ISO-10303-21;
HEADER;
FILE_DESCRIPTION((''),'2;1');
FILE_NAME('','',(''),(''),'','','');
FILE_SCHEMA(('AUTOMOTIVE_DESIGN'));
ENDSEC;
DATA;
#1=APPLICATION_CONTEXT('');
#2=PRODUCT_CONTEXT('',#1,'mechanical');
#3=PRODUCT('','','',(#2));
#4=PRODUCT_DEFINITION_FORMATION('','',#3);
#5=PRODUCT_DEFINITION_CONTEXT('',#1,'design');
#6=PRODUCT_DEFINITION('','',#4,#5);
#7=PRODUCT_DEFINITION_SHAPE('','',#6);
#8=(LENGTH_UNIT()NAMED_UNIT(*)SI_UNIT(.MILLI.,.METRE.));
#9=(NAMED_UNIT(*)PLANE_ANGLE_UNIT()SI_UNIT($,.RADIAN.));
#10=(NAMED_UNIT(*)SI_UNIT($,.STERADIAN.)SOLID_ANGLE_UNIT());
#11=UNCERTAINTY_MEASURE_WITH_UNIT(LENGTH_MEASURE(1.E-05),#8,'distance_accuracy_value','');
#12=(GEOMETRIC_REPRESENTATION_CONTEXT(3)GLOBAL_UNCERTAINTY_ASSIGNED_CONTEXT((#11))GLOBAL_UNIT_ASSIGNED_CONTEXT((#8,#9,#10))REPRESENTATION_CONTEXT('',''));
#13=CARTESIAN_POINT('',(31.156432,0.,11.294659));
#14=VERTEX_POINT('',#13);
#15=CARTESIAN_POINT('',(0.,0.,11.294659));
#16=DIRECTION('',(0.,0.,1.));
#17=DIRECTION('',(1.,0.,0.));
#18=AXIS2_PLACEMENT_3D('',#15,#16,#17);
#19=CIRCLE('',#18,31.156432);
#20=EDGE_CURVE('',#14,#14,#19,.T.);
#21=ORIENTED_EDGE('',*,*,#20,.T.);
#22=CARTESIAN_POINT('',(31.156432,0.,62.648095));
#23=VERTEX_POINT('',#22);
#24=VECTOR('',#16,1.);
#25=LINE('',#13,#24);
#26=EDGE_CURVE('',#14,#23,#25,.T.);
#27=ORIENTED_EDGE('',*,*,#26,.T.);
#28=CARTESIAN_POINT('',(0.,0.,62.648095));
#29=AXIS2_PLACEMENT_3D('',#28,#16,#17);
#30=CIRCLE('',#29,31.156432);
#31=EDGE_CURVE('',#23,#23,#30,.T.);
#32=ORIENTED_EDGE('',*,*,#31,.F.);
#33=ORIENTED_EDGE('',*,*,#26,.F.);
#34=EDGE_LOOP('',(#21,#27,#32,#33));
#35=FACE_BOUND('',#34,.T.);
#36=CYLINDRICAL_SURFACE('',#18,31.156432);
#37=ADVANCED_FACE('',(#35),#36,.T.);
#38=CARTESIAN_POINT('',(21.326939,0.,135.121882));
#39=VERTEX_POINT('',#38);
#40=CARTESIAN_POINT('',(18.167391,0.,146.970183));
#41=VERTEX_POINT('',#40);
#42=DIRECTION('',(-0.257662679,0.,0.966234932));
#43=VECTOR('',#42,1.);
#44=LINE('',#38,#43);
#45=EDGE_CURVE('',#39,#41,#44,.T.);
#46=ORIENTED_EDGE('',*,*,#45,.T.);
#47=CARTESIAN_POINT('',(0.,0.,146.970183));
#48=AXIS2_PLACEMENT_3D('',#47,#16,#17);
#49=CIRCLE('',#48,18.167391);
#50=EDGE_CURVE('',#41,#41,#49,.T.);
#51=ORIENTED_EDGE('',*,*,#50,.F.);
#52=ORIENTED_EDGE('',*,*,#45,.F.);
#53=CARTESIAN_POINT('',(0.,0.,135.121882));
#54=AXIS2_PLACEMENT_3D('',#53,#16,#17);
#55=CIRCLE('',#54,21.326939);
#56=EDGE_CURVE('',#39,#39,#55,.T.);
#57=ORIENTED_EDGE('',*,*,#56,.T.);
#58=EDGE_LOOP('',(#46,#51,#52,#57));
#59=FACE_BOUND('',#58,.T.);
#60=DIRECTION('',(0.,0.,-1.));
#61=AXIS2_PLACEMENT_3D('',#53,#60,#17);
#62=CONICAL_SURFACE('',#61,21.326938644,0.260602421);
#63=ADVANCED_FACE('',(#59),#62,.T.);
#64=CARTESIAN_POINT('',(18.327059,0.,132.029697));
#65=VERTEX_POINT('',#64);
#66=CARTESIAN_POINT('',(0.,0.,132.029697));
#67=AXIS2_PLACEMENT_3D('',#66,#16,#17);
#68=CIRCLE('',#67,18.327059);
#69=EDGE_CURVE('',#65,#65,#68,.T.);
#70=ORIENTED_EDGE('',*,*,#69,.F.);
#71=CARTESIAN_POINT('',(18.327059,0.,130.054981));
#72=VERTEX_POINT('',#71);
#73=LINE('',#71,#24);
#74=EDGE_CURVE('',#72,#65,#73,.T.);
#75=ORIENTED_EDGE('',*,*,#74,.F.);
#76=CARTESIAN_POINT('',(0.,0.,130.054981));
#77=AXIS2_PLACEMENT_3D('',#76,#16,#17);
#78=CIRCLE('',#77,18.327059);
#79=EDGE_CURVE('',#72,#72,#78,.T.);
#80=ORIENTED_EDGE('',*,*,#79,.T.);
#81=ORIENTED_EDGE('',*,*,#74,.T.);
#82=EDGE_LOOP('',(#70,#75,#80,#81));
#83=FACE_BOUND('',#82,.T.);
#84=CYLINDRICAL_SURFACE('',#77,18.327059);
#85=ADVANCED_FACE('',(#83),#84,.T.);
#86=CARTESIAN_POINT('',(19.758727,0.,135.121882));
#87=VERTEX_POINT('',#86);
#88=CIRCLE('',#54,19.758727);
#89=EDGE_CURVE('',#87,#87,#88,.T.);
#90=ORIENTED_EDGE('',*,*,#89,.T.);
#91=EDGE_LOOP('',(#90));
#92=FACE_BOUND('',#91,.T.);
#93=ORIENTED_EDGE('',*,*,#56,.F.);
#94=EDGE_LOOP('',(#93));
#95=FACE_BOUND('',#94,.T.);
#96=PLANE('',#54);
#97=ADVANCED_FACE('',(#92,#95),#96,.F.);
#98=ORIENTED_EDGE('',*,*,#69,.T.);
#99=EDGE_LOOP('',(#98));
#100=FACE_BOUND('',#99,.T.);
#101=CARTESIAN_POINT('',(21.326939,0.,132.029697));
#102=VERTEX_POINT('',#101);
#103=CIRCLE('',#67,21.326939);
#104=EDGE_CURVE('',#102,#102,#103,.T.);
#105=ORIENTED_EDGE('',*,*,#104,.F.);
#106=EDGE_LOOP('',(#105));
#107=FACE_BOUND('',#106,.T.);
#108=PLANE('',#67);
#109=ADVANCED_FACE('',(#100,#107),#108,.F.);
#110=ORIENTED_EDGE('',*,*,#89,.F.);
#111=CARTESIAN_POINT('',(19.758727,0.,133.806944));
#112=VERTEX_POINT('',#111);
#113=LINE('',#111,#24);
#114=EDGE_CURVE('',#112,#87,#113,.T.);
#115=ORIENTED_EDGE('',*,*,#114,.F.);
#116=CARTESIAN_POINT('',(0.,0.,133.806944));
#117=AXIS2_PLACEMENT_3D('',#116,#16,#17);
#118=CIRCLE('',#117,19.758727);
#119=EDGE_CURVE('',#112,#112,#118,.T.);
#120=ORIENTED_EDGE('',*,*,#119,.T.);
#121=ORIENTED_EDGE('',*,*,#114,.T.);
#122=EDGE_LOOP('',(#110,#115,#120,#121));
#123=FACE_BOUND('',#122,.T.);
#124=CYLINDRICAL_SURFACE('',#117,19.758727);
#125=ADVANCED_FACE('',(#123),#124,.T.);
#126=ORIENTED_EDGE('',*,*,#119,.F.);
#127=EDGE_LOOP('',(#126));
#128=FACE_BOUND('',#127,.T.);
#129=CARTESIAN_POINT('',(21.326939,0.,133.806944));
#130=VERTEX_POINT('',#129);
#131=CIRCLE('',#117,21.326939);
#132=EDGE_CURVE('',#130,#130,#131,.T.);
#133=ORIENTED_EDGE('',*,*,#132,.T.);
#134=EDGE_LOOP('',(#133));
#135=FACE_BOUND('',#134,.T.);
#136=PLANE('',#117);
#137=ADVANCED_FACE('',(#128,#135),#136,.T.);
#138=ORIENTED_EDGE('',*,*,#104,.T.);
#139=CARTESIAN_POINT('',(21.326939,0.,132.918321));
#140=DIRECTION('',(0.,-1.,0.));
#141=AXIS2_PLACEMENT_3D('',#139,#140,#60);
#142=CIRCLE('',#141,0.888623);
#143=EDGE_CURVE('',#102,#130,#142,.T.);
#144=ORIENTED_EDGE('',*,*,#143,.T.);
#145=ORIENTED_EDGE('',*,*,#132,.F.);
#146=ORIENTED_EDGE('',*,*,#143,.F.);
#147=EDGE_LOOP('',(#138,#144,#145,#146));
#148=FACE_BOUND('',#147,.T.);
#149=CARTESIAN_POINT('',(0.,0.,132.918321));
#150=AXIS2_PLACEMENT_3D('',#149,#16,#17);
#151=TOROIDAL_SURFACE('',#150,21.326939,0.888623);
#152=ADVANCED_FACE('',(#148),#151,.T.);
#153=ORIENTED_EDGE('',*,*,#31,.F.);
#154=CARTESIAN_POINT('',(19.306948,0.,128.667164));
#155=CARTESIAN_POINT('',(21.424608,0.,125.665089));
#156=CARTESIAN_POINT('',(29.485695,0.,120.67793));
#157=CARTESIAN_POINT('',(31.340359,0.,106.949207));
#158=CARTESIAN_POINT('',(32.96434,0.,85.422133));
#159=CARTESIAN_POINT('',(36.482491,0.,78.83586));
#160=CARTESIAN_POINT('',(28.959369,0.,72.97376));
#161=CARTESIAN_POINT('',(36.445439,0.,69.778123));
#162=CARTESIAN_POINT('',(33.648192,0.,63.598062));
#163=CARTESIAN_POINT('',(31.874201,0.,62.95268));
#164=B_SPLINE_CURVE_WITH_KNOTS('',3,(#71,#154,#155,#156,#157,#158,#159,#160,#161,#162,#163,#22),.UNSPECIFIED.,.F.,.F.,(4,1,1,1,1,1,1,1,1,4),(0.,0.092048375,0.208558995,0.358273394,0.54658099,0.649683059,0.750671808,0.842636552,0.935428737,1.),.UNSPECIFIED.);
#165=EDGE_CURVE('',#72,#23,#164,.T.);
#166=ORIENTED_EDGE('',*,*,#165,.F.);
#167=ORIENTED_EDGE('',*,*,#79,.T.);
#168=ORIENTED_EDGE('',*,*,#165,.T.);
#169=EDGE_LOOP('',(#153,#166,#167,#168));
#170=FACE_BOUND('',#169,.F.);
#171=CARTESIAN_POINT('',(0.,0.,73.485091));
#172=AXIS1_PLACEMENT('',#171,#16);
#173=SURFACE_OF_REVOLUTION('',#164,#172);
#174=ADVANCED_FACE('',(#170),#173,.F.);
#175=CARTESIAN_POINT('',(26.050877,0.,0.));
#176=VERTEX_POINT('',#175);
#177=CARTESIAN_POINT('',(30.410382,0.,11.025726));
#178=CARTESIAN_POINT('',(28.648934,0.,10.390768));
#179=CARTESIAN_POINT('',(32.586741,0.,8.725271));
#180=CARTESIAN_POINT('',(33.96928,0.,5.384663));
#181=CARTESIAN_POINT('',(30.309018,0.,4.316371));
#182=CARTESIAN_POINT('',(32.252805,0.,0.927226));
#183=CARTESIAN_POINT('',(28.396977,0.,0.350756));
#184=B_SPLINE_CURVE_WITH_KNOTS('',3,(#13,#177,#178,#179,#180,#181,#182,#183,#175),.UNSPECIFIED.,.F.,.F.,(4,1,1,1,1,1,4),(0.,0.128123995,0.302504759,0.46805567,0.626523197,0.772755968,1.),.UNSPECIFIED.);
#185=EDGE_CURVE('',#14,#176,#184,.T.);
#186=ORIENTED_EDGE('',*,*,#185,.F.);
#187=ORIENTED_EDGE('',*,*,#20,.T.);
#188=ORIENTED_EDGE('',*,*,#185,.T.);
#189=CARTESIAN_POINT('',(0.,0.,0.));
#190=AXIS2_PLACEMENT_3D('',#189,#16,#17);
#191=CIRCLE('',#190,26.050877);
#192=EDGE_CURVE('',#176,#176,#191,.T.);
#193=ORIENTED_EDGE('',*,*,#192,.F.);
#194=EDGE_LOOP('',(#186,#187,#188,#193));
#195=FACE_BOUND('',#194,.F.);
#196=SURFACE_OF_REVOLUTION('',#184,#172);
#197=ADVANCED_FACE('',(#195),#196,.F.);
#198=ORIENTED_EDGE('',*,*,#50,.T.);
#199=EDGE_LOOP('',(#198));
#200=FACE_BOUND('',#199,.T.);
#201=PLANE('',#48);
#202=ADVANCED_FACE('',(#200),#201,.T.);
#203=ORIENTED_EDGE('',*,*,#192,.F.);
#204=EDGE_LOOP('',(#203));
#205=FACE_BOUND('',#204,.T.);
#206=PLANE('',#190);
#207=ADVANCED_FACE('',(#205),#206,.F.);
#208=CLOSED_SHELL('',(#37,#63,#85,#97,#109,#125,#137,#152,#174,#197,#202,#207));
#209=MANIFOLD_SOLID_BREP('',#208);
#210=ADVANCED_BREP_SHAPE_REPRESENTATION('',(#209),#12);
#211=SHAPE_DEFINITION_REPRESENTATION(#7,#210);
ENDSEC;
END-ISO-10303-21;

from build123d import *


with BuildPart() as f1:
    # F0 (on Front) → F1 (revolve)
    with BuildSketch(Plane.XZ):
        with BuildLine():
            Line((0, 146.9701826572), (0, 0))
            Line((0, 0), (26.050876826, 0))
            add(Edge.make_bspline(
                [(31.1564318836, 11.2946592271), (30.4103816621, 11.0257263858), (28.6489337491, 10.3907675338), (32.5867407566, 8.7252710068), (33.9692798578, 5.384663025), (30.3090175054, 4.3163711315), (32.2528046709, 0.9272257359), (28.3969767246, 0.3507561293), (26.050876826, 0)],
                knots=[0, 0, 0, 0, 0.1281239945, 0.3025047593, 0.46805567, 0.6265231971, 0.772755968, 1, 1, 1, 1], degree=3))
            Line((31.1564318836, 11.2946592271), (31.1564318836, 62.6480951905))
            add(Edge.make_bspline(
                [(18.3270592242, 130.0549805164), (19.3069478861, 128.667163836), (21.424608394, 125.6650891579), (29.4856945735, 120.6779304074), (31.3403590658, 106.9492067062), (32.9643396986, 85.4221330557), (36.4824914417, 78.8358595862), (28.9593694761, 72.9737602854), (36.4454389477, 69.7781226568), (33.6481915534, 63.5980620984), (31.8742014004, 62.9526804323), (31.1564318836, 62.6480951905)],
                knots=[0, 0, 0, 0, 0.0920483747, 0.2085589951, 0.3582733938, 0.5465809899, 0.6496830588, 0.7506718078, 0.8426365522, 0.9354287374, 1, 1, 1, 1], degree=3))
            Line((18.3270592242, 130.0549805164), (18.3270592242, 132.029697299))
            Line((18.3270592242, 132.029697299), (21.3269386441, 132.029697299))
            ThreePointArc((21.3269386441, 132.029697299), (22.2155619413, 132.9183205962), (21.3269386441, 133.8069438934))
            Line((21.3269386441, 133.8069438934), (19.7587274015, 133.8069438934))
            Line((19.7587274015, 133.8069438934), (19.7587274015, 135.1218819618))
            Line((19.7587274015, 135.1218819618), (21.3269386441, 135.1218819618))
            Line((21.3269386441, 135.1218819618), (18.1673914194, 146.9701826572))
            Line((18.1673914194, 146.9701826572), (0, 146.9701826572))
        make_face()
    revolve(axis=Axis((0, 0, 73.4850913286), (0, 0, 1)))


solid = f1.part
